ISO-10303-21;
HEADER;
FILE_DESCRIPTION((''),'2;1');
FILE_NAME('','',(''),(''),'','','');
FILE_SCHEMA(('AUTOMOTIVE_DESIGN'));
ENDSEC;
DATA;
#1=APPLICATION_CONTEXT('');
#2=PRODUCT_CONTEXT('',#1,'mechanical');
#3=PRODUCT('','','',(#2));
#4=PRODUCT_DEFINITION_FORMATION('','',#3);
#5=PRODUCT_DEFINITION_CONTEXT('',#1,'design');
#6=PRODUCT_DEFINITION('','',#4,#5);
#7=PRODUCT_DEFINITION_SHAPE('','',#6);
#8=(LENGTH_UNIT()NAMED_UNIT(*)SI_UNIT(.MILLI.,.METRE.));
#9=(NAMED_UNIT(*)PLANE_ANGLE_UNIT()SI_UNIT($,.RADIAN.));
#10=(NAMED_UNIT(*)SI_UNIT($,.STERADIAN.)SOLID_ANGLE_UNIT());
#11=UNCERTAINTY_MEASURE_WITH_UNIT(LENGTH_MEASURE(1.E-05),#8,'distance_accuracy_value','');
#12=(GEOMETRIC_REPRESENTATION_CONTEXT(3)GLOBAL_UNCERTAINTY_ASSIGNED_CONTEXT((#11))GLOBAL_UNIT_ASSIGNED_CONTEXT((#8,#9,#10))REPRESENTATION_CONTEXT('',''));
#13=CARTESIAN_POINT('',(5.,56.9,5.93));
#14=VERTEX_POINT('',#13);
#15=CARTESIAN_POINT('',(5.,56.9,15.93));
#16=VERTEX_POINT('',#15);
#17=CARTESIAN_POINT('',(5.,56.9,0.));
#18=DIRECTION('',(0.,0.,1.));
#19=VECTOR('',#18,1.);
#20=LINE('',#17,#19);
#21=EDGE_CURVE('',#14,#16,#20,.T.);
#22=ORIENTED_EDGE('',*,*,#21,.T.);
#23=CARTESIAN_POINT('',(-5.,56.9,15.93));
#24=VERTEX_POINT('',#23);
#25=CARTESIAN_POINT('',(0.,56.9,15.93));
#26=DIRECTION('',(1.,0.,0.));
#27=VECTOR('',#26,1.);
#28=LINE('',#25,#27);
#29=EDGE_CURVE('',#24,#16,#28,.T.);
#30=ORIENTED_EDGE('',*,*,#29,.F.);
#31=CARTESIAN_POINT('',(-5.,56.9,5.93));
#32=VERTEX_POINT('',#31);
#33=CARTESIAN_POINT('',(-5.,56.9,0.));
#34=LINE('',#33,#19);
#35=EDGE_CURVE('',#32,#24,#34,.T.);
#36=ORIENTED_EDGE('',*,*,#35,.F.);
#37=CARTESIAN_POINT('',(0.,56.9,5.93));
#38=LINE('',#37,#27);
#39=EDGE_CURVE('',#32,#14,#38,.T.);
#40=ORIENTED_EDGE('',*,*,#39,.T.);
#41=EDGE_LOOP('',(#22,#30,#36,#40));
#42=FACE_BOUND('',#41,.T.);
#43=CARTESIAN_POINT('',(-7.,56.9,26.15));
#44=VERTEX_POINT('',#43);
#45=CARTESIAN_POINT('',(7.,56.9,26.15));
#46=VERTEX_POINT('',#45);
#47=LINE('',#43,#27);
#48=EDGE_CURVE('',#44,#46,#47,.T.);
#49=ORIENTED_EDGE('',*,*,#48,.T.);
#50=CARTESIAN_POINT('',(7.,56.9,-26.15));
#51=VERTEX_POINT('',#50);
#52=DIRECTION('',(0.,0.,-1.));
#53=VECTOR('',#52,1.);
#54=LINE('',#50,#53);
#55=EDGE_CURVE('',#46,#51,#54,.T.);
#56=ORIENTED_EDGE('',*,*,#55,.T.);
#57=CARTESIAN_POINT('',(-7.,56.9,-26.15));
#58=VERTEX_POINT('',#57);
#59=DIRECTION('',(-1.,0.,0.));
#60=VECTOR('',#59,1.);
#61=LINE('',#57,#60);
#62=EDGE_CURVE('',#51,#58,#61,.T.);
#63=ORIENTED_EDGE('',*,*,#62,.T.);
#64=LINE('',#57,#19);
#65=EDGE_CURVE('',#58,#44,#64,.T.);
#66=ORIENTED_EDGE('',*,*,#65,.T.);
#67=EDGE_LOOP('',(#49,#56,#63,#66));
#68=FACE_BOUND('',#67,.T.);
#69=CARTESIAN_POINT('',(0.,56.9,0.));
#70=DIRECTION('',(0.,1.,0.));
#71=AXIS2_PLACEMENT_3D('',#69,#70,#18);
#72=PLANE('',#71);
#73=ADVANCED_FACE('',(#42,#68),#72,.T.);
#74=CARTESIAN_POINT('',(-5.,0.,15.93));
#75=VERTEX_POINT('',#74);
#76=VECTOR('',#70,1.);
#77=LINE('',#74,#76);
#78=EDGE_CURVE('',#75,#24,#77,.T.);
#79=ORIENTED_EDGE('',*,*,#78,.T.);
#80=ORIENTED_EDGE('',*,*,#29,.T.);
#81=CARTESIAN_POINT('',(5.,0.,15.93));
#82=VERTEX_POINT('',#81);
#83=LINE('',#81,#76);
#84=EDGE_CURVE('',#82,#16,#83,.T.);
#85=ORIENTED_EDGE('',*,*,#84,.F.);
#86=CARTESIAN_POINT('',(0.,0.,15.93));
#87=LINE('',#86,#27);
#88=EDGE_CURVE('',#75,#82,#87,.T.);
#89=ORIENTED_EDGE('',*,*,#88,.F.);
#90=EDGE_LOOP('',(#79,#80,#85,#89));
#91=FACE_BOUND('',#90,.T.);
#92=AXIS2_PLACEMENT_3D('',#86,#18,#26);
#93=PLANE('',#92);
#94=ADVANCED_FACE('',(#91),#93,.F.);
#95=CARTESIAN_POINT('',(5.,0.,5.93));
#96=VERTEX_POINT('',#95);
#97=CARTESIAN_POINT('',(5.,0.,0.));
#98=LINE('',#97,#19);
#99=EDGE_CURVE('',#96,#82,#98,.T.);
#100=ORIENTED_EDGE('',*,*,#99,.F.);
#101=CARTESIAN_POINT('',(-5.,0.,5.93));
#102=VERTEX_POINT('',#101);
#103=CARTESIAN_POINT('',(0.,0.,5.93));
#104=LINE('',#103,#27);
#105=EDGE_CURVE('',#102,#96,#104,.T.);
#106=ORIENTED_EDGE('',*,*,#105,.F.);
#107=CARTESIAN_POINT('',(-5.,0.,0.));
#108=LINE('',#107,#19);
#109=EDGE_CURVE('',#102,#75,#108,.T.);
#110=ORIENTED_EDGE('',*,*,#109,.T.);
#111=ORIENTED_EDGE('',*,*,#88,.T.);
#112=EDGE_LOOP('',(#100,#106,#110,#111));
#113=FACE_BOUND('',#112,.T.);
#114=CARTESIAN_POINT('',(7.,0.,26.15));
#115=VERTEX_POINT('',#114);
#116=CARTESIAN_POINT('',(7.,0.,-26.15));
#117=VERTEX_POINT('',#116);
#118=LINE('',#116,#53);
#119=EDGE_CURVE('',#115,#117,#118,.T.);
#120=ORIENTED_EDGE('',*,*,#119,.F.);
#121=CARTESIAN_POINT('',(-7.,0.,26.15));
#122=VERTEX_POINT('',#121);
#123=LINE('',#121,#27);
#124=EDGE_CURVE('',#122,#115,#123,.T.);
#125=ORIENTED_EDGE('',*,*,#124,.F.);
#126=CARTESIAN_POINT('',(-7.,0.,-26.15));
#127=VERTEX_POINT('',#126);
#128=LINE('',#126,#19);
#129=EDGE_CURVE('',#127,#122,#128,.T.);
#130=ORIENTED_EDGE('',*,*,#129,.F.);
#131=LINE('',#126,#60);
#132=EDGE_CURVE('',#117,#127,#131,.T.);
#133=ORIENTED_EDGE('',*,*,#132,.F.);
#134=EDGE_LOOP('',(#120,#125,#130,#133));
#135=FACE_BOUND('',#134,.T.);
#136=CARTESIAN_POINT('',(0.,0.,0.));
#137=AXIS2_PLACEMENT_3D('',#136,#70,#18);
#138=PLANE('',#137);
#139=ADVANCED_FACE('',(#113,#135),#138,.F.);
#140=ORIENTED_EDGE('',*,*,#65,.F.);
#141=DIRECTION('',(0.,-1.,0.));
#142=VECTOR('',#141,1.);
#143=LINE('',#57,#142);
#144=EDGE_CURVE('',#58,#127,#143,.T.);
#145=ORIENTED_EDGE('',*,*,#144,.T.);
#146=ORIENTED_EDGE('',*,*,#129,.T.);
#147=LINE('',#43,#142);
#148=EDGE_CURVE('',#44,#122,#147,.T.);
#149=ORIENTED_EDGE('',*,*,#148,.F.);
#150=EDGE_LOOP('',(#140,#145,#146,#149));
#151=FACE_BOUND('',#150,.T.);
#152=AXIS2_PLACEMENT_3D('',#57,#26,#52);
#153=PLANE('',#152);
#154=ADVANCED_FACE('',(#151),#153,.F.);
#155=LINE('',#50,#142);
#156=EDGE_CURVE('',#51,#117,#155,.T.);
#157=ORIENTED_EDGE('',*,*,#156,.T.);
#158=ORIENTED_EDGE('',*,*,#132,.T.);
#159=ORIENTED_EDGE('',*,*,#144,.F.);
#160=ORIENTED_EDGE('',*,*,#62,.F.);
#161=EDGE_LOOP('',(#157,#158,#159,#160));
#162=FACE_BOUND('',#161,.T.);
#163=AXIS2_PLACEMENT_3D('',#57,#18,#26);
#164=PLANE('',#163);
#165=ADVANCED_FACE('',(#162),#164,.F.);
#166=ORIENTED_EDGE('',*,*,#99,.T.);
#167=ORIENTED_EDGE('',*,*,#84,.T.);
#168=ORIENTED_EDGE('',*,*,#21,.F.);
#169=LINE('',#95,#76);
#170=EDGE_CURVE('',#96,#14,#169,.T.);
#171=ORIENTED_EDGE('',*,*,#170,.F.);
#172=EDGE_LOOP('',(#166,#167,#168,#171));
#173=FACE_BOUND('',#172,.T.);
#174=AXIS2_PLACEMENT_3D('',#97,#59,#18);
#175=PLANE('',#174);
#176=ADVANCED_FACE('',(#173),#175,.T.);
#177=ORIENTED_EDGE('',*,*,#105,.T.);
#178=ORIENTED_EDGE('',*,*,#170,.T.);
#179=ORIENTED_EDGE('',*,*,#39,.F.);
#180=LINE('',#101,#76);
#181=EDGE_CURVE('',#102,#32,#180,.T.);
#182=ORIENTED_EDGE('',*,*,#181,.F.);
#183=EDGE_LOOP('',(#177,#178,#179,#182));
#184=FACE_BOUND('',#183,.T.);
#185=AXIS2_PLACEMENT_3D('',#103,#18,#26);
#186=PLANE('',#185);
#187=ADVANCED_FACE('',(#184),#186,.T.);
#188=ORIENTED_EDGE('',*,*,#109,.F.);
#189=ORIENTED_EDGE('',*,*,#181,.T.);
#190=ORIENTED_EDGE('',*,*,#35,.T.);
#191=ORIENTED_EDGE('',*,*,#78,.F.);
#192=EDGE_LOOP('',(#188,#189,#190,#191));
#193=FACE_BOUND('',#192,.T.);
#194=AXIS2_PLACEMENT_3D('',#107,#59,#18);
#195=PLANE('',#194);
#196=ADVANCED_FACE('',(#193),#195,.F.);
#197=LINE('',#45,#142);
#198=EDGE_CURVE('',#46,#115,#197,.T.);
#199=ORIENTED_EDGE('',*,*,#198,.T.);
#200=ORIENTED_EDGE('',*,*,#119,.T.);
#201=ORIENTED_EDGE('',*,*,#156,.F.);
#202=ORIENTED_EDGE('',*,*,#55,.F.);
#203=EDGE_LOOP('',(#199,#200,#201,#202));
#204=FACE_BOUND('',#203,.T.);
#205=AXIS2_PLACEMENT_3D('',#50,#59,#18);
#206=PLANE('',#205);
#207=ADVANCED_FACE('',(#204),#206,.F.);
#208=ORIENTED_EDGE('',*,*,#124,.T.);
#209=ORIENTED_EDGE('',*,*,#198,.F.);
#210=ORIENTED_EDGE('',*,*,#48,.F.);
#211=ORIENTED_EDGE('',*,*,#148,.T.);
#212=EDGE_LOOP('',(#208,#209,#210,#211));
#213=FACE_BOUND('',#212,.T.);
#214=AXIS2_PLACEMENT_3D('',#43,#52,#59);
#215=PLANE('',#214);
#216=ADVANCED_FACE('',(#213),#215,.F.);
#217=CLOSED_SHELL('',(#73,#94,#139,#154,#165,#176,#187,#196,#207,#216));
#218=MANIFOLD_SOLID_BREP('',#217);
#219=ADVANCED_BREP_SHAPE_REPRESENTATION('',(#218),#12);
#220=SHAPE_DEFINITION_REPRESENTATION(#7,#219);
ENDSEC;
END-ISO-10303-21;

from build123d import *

# Parameters (mm, degrees)
SKETCH_2_W          = 14
SKETCH_2_H          = 52.3
EXTRUDE_1_DEPTH     = 56.9
SKETCH_3_W          = 5
SKETCH_3_H          = 5
CUT_EXTRUDE_1_DEPTH = 56.9


with BuildPart() as part:
    # Эскиз2 → Бобышка-Вытянуть1 (new body)
    with BuildSketch(Plane(origin=(0, 0, 0), x_dir=(1, 0, 0), z_dir=(0, 1, 0))):
        Rectangle(SKETCH_2_W, SKETCH_2_H)
    extrude(amount=EXTRUDE_1_DEPTH)

    # Эскиз3 → Вырез-Вытянуть1 (cut)
    with BuildSketch(Plane(origin=(0, 56.9, 0), x_dir=(1, 0, 0), z_dir=(0, 1, 0))):
        with Locations((-2.5, -13.43)):
            Rectangle(SKETCH_3_W, SKETCH_3_H)
        with Locations((-2.5, -8.43)):
            Rectangle(SKETCH_3_W, SKETCH_3_H)
        with Locations((2.5, -8.43)):
            Rectangle(SKETCH_3_W, SKETCH_3_H)
        with Locations((2.5, -13.43)):
            Rectangle(SKETCH_3_W, SKETCH_3_H)
    extrude(amount=-CUT_EXTRUDE_1_DEPTH, mode=Mode.SUBTRACT)


solid = part.part
